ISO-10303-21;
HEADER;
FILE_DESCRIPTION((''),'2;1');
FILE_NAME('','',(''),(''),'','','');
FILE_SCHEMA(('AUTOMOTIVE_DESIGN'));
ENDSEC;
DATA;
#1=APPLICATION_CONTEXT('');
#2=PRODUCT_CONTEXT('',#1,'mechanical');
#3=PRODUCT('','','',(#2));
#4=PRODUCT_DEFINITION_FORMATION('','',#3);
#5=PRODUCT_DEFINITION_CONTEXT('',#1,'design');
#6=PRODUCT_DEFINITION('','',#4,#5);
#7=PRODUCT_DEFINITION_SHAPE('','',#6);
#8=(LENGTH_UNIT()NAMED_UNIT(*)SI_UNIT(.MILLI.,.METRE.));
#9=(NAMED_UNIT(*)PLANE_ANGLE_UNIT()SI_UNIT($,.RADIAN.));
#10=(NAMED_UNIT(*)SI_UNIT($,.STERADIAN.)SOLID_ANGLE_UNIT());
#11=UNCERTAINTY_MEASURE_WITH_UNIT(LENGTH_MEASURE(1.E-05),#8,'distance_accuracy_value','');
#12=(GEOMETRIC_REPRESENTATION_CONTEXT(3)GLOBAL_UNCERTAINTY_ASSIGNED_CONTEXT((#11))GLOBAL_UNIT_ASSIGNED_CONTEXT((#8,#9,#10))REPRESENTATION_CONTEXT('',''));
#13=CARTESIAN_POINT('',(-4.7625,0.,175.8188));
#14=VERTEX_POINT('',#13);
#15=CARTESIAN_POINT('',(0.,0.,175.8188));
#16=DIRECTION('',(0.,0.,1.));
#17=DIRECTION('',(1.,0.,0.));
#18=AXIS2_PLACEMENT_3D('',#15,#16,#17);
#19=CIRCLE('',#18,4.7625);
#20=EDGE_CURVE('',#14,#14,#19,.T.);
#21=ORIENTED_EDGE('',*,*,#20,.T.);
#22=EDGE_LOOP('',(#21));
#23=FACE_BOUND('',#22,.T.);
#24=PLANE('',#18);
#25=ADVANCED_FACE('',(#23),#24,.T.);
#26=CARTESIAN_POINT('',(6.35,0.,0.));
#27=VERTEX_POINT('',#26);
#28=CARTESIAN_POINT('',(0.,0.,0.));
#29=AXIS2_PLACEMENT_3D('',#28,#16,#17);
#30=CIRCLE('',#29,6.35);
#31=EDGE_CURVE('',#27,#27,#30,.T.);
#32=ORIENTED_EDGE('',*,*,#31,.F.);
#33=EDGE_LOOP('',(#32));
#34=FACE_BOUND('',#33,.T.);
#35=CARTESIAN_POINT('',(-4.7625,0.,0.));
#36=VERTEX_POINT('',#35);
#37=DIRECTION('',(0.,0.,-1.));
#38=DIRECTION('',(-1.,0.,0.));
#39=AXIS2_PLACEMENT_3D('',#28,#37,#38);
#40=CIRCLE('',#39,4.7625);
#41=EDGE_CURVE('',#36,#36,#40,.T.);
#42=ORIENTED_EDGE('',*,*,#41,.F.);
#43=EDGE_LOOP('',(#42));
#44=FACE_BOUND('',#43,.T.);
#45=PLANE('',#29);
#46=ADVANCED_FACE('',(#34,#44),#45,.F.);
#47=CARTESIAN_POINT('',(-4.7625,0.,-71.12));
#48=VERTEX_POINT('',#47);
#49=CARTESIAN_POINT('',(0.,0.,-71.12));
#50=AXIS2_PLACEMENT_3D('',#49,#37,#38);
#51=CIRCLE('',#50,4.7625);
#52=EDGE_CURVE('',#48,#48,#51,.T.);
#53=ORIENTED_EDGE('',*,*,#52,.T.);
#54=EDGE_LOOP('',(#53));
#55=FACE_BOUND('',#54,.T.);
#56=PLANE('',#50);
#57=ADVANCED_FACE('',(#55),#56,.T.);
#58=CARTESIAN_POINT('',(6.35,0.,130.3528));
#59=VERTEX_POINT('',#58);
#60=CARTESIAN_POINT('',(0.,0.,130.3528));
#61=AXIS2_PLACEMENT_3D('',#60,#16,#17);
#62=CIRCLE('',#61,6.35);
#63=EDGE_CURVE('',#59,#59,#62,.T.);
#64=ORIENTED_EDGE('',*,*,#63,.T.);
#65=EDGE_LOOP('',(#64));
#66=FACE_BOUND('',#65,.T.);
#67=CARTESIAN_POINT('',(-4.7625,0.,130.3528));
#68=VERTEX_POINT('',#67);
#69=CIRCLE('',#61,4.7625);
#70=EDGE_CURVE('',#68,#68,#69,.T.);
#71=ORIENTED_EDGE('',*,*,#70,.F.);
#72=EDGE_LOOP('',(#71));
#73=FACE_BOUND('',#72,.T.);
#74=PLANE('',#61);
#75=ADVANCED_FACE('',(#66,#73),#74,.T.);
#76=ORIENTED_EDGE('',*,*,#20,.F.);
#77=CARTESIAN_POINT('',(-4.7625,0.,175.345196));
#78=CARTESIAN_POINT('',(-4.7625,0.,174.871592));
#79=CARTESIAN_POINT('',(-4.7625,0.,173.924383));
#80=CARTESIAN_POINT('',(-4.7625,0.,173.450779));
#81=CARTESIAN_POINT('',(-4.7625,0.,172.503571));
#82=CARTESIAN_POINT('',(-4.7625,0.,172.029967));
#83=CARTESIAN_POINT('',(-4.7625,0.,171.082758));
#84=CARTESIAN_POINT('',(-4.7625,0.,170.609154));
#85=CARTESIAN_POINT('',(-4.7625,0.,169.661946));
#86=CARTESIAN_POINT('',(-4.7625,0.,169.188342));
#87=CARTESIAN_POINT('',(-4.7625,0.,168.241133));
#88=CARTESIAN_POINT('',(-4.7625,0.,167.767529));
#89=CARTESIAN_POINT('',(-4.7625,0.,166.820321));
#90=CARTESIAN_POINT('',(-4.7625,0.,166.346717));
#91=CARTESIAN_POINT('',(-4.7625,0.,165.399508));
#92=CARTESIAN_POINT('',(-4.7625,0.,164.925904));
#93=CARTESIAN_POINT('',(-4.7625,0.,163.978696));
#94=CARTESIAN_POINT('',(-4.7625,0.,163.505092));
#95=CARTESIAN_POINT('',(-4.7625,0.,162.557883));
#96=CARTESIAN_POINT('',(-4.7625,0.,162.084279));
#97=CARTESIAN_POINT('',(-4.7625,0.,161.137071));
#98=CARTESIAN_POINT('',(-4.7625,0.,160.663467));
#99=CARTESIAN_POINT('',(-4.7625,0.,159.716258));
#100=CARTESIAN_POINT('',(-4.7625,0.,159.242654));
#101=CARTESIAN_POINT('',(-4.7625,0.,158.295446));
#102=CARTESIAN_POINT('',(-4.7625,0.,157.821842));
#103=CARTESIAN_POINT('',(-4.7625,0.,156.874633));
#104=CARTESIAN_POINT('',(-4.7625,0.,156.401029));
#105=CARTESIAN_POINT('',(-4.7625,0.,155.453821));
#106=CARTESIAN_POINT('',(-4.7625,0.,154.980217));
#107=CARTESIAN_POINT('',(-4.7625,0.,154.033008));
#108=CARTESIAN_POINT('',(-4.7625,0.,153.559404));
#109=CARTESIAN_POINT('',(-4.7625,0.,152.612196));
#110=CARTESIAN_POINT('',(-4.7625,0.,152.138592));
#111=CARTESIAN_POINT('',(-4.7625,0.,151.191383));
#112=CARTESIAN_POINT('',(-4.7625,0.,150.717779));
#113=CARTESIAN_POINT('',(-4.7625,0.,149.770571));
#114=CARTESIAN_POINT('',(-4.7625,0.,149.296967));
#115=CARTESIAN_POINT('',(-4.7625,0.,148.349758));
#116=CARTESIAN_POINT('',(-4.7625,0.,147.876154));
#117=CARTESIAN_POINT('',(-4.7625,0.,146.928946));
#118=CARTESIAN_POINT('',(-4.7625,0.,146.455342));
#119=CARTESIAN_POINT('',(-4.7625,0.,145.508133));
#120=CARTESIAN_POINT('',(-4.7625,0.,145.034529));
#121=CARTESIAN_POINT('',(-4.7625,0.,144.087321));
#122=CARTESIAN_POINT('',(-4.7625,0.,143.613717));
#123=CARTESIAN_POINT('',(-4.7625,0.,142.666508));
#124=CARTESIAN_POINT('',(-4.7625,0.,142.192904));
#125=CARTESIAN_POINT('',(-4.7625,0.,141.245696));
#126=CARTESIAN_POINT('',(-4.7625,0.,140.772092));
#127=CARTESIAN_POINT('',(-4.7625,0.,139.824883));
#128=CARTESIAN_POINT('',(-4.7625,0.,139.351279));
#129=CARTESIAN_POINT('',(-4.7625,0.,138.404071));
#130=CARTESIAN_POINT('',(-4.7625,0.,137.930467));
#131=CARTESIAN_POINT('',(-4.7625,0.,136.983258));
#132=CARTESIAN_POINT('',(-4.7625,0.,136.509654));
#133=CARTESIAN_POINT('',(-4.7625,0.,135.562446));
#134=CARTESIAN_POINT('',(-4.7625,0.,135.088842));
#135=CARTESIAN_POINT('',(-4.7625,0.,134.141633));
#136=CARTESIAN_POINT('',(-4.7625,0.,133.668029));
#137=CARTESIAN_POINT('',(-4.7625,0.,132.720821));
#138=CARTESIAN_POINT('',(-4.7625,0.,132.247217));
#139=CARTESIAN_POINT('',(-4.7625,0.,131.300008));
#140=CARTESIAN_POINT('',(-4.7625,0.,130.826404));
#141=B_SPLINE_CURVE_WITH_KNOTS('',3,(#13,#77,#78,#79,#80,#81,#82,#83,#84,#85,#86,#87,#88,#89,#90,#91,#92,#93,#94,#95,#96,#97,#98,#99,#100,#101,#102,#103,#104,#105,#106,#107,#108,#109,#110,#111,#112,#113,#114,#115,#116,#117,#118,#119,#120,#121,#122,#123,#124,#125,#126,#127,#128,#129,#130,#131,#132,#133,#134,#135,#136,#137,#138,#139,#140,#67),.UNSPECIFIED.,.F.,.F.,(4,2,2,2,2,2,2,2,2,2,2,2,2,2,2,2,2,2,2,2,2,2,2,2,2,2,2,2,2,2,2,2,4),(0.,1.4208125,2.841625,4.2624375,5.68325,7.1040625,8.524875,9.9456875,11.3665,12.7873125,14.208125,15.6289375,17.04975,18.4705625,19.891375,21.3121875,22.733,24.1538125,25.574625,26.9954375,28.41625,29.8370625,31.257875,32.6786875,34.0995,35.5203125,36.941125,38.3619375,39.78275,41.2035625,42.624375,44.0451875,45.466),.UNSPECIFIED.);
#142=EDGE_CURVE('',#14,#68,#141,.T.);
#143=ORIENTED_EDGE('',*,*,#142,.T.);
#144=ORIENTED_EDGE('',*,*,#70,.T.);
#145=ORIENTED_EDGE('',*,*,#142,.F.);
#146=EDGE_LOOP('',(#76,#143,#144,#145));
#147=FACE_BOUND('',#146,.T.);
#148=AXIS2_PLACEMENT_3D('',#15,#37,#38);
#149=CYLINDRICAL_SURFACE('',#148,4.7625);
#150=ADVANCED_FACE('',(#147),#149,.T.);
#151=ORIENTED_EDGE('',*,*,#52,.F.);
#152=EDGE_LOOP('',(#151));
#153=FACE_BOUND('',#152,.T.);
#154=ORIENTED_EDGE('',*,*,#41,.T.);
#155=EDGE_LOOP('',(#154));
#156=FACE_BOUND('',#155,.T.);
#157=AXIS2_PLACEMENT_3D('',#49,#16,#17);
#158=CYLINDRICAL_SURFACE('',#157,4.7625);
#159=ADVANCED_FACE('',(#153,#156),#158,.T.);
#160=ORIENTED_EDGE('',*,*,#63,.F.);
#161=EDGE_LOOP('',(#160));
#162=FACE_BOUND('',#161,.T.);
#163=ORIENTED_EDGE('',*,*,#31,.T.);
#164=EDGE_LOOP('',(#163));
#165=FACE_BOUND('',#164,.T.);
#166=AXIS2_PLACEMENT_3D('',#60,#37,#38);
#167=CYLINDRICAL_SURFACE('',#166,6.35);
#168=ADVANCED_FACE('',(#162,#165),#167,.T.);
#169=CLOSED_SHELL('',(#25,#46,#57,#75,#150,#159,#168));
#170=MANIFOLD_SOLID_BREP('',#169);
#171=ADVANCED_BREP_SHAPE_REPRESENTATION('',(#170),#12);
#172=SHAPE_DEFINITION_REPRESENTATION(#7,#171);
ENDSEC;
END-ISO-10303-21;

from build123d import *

# Parameters (mm, degrees)
SKETCH1_R           = 6.35
BOSS_EXTRUDE1_DEPTH = 130.3528
SKETCH2_R           = 4.7625
BOSS_EXTRUDE2_DEPTH = 45.466
BOSS_EXTRUDE3_START = 71.12
SKETCH3_R           = 4.7625
BOSS_EXTRUDE3_DEPTH = 71.12


with BuildPart() as part:
    # Sketch1 → Boss-Extrude1 (new body)
    with BuildSketch(Plane.XY):
        Circle(SKETCH1_R)
    extrude(amount=BOSS_EXTRUDE1_DEPTH)

    # Sketch2 → Boss-Extrude2 (add)
    with BuildSketch(Plane.XY.offset(130.3528)):
        with Locations(Location((0, 0, 0), (0, 0, 180))):
            Circle(SKETCH2_R)
    extrude(amount=BOSS_EXTRUDE2_DEPTH)

    # Sketch3 → Boss-Extrude3 (add)
    with BuildSketch(Plane(origin=(0, 0, 0), x_dir=(-1, 0, 0), z_dir=(0, 0, -1)).offset(BOSS_EXTRUDE3_START)):
        Circle(SKETCH3_R)
    extrude(amount=-BOSS_EXTRUDE3_DEPTH)


solid = part.part
